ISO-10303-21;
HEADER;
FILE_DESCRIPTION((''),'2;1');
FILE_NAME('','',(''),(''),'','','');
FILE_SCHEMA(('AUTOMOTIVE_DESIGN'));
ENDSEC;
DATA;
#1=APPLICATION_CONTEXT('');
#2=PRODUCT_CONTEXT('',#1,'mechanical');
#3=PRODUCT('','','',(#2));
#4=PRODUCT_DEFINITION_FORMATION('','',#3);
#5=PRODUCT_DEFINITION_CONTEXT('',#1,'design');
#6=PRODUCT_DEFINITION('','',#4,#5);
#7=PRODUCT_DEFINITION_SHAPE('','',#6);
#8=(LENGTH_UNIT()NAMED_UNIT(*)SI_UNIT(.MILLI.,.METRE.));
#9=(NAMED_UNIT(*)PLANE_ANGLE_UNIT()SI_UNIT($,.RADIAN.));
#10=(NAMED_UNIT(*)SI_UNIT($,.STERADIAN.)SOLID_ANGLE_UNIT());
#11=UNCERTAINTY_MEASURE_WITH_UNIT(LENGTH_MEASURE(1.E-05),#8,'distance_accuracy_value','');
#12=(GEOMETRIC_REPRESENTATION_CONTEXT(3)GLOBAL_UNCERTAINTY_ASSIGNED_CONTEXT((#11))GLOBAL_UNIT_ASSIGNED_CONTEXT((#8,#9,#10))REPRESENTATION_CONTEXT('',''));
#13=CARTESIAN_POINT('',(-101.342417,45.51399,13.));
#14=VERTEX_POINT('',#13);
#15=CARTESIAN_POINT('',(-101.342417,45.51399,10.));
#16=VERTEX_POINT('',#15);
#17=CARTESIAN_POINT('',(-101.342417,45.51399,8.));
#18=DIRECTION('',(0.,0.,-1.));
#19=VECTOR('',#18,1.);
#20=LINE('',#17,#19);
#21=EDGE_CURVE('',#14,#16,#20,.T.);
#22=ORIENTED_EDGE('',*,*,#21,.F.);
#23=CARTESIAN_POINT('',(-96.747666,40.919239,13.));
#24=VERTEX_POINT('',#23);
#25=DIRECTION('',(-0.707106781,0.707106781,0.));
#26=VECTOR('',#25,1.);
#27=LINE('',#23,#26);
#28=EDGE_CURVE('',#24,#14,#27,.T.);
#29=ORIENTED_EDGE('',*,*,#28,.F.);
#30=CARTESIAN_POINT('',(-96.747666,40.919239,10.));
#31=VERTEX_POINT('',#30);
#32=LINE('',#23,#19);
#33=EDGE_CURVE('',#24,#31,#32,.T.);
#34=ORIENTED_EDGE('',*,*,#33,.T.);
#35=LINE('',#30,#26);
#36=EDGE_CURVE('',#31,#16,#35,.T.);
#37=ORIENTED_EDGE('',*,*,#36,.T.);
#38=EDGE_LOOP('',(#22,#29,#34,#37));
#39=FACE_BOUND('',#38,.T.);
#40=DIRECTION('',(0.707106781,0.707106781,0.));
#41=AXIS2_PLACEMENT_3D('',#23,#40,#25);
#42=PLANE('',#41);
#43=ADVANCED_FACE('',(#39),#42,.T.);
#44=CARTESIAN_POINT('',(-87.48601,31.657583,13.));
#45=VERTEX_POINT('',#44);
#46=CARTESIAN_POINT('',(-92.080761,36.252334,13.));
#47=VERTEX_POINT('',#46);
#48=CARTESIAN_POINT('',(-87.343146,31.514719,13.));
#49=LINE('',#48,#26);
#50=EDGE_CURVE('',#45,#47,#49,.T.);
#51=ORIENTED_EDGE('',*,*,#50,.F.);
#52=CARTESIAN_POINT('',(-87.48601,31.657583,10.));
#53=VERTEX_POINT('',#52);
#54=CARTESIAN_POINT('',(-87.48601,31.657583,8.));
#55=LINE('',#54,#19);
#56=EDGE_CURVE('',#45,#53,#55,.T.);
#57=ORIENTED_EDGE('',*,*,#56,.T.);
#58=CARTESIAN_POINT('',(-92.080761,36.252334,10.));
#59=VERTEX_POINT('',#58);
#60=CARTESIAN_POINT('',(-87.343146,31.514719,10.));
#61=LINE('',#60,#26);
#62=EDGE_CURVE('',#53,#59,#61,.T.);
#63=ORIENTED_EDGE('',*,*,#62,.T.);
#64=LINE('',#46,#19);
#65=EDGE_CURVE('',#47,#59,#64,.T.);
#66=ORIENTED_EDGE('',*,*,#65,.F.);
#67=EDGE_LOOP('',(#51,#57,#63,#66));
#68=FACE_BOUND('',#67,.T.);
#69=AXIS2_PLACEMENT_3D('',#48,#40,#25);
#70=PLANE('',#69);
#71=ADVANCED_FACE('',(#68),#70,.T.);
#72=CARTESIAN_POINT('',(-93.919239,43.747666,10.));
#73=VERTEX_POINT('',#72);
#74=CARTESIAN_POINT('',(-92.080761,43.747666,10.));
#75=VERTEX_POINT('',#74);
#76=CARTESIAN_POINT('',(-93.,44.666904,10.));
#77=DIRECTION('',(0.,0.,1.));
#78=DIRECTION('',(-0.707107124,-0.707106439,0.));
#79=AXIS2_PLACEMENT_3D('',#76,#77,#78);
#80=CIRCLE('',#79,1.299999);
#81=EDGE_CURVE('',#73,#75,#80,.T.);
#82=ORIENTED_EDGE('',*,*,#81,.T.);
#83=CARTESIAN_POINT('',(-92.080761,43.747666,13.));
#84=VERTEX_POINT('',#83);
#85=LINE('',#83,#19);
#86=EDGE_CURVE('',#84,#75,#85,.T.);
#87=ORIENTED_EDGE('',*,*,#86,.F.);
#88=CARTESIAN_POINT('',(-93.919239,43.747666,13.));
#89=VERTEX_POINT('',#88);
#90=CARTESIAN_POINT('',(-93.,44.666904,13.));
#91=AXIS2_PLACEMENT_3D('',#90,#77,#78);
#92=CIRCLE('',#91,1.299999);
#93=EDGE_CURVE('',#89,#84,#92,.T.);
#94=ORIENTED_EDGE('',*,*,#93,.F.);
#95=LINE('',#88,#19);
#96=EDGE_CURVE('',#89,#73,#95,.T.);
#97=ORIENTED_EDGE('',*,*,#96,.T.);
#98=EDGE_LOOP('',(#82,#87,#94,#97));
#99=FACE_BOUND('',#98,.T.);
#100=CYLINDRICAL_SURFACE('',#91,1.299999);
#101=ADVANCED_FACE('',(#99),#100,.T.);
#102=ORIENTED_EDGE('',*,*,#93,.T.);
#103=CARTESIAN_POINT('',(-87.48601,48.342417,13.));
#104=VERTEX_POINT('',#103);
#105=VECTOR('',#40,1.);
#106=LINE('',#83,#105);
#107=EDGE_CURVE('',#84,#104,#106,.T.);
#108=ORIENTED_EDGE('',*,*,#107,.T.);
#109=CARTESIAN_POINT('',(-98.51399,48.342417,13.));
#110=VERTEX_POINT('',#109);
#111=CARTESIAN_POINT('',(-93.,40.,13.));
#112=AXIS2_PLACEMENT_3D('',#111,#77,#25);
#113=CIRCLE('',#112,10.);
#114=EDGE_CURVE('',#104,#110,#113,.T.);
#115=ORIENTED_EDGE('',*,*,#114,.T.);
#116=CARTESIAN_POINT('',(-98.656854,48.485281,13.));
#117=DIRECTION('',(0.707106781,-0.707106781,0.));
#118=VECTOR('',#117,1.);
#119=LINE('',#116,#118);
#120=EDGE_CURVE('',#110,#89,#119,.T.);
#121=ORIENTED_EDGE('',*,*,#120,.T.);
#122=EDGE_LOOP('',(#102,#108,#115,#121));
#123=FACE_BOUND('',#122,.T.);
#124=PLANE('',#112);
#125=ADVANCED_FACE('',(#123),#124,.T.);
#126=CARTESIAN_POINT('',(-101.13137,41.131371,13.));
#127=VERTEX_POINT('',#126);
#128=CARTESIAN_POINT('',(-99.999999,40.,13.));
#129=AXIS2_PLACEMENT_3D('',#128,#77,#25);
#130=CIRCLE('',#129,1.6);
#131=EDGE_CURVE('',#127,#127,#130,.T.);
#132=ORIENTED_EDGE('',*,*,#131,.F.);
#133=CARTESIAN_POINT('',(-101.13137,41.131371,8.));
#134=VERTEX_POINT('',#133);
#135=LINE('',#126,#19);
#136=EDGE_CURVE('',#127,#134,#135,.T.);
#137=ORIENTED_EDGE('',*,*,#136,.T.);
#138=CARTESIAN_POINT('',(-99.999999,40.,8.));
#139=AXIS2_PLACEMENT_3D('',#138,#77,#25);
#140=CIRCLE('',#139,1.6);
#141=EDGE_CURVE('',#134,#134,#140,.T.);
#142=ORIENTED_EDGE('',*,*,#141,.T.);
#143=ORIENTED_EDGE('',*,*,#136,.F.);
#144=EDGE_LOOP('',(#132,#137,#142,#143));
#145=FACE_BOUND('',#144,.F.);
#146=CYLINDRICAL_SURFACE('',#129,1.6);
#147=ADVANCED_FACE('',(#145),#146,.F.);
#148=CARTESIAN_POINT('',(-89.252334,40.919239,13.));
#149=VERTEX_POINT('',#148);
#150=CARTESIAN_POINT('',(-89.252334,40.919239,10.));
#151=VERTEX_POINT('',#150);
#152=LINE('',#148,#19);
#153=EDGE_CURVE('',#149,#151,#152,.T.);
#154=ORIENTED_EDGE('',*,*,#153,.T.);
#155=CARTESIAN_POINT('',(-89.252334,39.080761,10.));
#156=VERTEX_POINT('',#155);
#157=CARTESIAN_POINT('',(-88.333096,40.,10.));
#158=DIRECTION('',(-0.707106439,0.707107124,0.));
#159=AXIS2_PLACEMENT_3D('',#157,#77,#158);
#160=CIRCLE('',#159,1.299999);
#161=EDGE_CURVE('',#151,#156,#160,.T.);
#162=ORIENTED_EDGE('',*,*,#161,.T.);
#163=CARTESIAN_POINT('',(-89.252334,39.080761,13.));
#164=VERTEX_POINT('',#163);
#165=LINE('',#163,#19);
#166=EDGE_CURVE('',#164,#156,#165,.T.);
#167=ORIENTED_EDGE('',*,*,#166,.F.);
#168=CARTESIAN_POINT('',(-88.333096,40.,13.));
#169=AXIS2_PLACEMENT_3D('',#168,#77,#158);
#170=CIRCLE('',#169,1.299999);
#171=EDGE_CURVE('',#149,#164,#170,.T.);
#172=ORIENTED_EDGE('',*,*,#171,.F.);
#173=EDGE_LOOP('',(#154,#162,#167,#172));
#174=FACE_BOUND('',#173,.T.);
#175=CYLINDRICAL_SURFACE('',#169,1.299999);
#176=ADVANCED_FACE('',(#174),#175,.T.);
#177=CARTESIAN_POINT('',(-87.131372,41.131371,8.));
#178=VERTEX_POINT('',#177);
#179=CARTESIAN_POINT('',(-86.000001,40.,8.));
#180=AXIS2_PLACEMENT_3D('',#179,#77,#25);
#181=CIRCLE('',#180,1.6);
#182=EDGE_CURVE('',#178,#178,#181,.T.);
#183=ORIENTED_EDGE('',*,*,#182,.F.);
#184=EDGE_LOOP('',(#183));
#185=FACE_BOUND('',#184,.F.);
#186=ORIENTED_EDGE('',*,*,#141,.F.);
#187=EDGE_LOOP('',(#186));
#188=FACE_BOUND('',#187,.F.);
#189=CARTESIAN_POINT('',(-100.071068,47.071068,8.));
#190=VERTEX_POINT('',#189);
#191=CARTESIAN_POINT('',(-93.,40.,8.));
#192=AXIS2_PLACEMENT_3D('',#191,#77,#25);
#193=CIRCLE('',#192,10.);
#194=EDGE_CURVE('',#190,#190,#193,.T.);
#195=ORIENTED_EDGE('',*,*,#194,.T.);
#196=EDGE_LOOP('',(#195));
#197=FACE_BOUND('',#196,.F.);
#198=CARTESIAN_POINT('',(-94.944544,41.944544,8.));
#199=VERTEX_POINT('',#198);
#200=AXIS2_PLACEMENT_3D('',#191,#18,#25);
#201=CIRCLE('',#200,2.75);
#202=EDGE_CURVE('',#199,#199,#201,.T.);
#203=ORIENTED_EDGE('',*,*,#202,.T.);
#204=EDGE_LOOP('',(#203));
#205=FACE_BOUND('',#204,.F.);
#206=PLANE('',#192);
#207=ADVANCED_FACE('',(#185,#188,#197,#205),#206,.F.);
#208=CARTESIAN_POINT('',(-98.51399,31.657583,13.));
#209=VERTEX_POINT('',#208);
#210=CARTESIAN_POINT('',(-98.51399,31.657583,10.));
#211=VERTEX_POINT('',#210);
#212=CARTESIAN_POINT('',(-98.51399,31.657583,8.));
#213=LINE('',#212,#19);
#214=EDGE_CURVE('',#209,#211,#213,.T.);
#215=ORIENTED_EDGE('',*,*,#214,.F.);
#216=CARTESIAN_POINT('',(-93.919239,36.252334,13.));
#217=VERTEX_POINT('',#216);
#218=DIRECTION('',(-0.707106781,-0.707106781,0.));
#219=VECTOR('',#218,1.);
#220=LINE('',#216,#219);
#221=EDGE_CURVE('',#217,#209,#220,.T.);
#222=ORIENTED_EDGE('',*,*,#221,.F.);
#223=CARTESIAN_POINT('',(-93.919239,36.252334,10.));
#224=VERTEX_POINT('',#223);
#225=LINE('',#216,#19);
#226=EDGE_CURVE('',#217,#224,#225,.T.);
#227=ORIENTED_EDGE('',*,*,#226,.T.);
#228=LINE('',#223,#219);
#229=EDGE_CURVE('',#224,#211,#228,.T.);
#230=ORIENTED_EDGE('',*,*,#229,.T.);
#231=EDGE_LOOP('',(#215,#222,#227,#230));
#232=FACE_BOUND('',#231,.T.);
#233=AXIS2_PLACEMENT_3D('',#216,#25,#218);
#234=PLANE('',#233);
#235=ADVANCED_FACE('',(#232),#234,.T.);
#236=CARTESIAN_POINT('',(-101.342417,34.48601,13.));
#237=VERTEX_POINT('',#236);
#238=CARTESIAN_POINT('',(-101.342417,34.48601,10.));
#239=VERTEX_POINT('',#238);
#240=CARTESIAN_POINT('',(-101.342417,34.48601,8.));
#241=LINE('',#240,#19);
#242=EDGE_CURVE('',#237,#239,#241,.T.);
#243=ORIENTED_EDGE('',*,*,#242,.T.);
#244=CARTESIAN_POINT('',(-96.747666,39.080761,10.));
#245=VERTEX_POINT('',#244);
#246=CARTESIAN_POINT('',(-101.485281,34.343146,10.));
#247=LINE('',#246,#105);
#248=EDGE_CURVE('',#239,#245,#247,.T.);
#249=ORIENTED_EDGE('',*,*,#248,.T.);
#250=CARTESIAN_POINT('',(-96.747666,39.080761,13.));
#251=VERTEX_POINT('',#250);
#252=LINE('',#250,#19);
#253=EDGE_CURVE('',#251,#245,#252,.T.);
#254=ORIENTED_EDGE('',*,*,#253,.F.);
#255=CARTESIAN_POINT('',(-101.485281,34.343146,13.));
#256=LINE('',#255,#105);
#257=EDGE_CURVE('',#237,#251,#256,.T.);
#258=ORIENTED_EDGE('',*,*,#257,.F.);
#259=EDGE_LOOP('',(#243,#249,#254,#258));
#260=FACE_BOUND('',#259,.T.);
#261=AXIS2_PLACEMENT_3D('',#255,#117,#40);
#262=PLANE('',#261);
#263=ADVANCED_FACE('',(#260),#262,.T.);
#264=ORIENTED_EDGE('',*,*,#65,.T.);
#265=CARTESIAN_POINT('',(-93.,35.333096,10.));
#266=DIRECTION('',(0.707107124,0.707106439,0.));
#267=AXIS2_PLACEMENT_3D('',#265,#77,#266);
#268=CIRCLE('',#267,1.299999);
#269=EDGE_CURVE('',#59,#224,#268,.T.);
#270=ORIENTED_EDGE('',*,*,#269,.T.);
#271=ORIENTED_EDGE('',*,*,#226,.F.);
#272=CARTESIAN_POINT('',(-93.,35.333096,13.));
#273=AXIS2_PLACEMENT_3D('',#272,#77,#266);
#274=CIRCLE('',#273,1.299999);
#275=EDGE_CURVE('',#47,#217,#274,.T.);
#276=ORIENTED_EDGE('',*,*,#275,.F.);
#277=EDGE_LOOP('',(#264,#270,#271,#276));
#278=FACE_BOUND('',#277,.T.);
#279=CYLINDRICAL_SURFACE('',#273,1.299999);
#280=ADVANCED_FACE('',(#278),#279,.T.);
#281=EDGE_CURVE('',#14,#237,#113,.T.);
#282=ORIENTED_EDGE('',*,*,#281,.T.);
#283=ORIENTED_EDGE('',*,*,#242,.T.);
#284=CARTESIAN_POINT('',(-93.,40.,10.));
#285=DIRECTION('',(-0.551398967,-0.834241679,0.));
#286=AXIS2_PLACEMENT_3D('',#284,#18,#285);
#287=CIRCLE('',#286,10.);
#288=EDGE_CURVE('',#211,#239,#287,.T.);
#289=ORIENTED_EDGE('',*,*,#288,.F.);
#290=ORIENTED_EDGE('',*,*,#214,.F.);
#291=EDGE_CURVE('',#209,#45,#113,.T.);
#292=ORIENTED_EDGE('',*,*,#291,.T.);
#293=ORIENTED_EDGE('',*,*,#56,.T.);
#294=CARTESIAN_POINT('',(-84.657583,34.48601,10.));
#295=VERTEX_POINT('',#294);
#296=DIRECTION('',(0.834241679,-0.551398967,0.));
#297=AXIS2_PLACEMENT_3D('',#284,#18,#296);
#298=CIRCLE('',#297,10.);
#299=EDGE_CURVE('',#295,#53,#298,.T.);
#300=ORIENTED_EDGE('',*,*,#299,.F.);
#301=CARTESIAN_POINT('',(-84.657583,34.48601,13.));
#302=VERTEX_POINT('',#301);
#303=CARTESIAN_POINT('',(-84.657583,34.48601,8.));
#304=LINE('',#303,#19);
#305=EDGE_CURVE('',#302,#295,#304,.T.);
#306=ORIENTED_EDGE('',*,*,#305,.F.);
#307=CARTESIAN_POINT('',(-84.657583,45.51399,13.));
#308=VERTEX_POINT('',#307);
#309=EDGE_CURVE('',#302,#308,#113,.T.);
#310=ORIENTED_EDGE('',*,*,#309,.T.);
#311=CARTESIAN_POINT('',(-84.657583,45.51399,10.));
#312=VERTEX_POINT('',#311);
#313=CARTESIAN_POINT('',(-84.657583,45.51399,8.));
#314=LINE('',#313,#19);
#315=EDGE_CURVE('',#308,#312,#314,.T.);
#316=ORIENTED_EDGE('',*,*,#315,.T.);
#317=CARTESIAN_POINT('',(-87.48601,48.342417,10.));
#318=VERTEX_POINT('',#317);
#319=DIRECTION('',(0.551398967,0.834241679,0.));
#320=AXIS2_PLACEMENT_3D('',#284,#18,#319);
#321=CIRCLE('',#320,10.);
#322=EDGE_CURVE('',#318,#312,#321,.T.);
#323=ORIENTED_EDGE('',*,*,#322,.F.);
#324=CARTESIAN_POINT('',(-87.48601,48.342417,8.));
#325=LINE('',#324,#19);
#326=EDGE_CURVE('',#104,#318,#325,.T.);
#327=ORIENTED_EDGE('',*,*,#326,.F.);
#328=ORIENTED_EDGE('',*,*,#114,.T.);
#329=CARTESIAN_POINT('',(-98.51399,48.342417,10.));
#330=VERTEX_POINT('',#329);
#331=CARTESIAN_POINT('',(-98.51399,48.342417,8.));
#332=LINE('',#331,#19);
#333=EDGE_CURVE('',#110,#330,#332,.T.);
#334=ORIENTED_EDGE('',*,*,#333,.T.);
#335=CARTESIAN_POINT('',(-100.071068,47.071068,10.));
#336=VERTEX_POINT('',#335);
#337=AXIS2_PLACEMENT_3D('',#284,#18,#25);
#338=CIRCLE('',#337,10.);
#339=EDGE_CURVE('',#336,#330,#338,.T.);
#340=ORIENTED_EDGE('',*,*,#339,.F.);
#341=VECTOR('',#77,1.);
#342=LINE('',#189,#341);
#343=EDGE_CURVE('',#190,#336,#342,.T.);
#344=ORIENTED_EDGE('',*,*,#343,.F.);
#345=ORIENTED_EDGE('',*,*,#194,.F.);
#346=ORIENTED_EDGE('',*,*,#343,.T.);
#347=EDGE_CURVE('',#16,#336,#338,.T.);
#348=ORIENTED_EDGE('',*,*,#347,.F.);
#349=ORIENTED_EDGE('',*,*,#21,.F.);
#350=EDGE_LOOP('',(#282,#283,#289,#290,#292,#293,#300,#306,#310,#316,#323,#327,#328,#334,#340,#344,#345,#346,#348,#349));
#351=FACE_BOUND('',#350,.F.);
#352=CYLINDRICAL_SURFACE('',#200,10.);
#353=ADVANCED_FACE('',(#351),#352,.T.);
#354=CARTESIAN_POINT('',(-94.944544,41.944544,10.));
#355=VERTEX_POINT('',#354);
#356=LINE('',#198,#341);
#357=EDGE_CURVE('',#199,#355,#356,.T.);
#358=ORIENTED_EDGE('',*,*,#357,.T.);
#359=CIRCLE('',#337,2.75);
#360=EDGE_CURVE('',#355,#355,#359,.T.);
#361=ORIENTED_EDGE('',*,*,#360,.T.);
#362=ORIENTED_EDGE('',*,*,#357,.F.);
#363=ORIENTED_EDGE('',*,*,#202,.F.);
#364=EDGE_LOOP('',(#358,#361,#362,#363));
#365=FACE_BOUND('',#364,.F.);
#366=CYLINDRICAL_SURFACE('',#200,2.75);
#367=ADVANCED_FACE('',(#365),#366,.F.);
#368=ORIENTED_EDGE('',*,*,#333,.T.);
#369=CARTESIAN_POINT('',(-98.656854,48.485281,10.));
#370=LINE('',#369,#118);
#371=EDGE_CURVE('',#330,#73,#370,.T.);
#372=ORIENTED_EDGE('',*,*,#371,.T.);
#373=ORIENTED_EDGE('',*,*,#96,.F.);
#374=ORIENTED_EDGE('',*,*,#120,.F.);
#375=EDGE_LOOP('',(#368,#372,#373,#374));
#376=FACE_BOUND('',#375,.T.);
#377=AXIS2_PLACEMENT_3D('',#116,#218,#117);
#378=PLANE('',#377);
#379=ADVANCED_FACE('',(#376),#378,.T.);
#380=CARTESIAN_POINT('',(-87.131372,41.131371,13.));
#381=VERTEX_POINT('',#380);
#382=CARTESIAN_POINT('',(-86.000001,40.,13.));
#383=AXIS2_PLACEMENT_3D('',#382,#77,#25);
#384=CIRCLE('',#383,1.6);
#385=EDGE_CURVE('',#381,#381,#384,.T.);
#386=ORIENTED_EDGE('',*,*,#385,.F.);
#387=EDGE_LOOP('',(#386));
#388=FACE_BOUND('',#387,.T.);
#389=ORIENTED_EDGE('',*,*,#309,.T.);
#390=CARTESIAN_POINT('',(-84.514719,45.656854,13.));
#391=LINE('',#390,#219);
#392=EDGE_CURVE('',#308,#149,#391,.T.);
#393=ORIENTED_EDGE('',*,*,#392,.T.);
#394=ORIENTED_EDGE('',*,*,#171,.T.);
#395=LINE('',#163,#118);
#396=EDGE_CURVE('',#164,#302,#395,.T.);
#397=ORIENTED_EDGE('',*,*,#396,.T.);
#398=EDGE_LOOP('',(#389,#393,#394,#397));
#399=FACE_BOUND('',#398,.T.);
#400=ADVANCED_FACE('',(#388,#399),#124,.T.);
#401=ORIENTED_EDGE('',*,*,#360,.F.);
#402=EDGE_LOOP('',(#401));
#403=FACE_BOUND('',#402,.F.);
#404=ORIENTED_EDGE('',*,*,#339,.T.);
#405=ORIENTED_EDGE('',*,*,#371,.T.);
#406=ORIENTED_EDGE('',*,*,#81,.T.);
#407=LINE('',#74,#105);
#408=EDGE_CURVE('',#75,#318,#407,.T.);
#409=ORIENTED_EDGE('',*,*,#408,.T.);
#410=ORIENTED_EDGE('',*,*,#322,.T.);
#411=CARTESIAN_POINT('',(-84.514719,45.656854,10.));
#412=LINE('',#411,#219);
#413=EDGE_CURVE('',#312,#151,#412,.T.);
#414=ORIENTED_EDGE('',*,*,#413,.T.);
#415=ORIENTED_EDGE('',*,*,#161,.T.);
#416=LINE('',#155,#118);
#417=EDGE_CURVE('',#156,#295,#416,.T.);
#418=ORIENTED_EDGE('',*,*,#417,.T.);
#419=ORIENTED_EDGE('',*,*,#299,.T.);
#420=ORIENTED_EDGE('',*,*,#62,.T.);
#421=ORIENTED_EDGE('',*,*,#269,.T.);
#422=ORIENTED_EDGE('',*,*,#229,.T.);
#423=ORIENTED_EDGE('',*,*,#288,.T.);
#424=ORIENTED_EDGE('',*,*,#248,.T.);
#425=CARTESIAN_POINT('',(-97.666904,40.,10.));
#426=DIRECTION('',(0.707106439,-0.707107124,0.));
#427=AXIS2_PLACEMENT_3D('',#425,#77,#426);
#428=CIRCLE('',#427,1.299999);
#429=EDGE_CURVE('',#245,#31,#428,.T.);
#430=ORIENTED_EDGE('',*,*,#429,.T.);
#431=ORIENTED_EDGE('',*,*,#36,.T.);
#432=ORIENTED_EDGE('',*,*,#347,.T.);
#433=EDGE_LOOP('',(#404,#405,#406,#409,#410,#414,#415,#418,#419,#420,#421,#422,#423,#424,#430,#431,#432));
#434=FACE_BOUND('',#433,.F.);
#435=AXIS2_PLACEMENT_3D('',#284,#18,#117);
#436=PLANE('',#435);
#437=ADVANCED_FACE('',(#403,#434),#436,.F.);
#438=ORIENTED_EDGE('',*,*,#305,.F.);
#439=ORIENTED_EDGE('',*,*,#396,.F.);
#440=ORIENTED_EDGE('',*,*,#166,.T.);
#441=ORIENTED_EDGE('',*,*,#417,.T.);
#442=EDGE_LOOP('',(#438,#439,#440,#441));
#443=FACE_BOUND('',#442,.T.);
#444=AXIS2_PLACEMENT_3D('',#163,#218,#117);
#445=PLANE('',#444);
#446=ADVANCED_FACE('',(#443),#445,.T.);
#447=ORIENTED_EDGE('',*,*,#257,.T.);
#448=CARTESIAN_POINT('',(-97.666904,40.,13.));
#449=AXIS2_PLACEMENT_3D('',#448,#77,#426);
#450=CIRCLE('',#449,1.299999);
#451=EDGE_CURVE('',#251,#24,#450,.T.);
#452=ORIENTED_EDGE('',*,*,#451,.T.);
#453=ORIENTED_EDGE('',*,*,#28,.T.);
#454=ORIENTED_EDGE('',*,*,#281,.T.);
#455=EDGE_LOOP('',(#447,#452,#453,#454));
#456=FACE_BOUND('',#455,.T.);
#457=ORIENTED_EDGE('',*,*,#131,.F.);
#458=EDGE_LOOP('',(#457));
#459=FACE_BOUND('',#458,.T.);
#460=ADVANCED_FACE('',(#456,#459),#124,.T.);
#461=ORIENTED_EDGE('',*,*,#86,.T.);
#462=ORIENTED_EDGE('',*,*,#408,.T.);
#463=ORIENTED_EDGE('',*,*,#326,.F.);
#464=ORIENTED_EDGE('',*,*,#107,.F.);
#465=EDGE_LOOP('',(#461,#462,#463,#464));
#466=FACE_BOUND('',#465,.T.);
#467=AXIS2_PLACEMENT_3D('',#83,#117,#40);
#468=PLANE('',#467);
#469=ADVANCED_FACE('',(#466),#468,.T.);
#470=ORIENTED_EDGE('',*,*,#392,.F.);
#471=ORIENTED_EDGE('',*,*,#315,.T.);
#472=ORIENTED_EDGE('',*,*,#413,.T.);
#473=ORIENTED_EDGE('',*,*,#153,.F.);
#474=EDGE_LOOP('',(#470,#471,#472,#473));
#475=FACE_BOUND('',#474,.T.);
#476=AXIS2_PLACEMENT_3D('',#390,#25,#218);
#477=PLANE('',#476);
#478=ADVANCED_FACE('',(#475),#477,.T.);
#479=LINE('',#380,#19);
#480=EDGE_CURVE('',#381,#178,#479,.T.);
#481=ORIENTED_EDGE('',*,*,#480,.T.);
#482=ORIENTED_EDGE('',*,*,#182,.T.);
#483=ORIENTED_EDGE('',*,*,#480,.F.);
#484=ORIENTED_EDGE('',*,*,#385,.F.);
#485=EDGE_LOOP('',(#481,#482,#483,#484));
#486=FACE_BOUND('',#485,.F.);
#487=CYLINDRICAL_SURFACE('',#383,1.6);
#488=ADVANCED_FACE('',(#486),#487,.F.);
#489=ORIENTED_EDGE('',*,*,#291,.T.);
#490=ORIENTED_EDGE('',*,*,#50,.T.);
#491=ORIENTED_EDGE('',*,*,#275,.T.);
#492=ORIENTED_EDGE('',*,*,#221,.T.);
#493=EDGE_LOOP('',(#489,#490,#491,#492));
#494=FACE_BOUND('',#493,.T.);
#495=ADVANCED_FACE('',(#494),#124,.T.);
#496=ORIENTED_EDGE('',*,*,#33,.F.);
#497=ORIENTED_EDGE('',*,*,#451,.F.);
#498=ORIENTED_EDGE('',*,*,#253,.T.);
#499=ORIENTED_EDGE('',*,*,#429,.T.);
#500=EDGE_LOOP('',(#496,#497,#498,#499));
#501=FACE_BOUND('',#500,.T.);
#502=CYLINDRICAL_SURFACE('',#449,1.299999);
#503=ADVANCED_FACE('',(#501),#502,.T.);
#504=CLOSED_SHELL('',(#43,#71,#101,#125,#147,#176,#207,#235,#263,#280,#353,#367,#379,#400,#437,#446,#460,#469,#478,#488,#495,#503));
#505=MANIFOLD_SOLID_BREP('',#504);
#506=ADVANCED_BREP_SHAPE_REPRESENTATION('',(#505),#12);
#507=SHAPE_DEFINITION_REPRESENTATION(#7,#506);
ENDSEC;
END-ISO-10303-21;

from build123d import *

# Parameters (mm, degrees)
SKETCH042_R             = 10
PAD013_DEPTH            = 5
POCKET026_DEPTH         = 3
SKETCH044_R             = 2.75
POCKET027_DEPTH         = 5.001
SKETCH045_R             = 1.6
POCKET028_DEPTH         = 5.001
BODY008_PLACEMENT_ANGLE = 135


with BuildPart() as part:
    # Sketch042 → Pad013 (new body)
    with BuildSketch(Plane.XY):
        Circle(SKETCH042_R)
    extrude(amount=PAD013_DEPTH)

    # Sketch043 (on Face3 of Pad013) → Pocket026 (cut)
    with BuildSketch(Plane.XY.offset(5)):
        with BuildLine():
            Line((-2, 10), (2, 10))
            Line((2, 10), (2, 3.3))
            ThreePointArc((2, 3.3), (2.380761, 2.380761), (3.3, 2))
            Line((3.3, 2), (10, 2))
            Line((10, 2), (10, -2))
            Line((10, -2), (3.3, -2))
            ThreePointArc((3.3, -2), (2.380761, -2.380761), (2, -3.3))
            Line((2, -3.3), (2, -10))
            Line((2, -10), (-2, -10))
            Line((-2, -10), (-2, -3.3))
            ThreePointArc((-2, -3.3), (-2.380761, -2.380761), (-3.3, -2))
            Line((-3.3, -2), (-10, -2))
            Line((-10, -2), (-10, 2))
            Line((-10, 2), (-3.3, 2))
            ThreePointArc((-3.3, 2), (-2.380761, 2.380761), (-2, 3.3))
            Line((-2, 3.3), (-2, 10))
        make_face()
    extrude(amount=-POCKET026_DEPTH, mode=Mode.SUBTRACT)

    # Sketch044 (on Face2 of Pocket026) → Pocket027 (cut, through all)
    with BuildSketch(Plane(origin=(0, 0, 0), x_dir=(1, 0, 0), z_dir=(0, 0, -1))):
        Circle(SKETCH044_R)
    extrude(amount=-POCKET027_DEPTH, mode=Mode.SUBTRACT)

    # Sketch045 (on Face8 of Pocket027) → Pocket028 (cut, through all)
    with BuildSketch(Plane.XY.offset(5)):
        with Locations((4.949747, 4.949747)):
            Circle(SKETCH045_R)
        with Locations((-4.949747, -4.949747)):
            Circle(SKETCH045_R)
    extrude(amount=-POCKET028_DEPTH, mode=Mode.SUBTRACT)


with BuildPart() as part_1:
    # Body008 placement: moved
    add(part.part.moved(Location((-93, 40, 8))).rotate(Axis((-93, 40, 8), (0, 0, 1)), BODY008_PLACEMENT_ANGLE))


solid = part_1.part
